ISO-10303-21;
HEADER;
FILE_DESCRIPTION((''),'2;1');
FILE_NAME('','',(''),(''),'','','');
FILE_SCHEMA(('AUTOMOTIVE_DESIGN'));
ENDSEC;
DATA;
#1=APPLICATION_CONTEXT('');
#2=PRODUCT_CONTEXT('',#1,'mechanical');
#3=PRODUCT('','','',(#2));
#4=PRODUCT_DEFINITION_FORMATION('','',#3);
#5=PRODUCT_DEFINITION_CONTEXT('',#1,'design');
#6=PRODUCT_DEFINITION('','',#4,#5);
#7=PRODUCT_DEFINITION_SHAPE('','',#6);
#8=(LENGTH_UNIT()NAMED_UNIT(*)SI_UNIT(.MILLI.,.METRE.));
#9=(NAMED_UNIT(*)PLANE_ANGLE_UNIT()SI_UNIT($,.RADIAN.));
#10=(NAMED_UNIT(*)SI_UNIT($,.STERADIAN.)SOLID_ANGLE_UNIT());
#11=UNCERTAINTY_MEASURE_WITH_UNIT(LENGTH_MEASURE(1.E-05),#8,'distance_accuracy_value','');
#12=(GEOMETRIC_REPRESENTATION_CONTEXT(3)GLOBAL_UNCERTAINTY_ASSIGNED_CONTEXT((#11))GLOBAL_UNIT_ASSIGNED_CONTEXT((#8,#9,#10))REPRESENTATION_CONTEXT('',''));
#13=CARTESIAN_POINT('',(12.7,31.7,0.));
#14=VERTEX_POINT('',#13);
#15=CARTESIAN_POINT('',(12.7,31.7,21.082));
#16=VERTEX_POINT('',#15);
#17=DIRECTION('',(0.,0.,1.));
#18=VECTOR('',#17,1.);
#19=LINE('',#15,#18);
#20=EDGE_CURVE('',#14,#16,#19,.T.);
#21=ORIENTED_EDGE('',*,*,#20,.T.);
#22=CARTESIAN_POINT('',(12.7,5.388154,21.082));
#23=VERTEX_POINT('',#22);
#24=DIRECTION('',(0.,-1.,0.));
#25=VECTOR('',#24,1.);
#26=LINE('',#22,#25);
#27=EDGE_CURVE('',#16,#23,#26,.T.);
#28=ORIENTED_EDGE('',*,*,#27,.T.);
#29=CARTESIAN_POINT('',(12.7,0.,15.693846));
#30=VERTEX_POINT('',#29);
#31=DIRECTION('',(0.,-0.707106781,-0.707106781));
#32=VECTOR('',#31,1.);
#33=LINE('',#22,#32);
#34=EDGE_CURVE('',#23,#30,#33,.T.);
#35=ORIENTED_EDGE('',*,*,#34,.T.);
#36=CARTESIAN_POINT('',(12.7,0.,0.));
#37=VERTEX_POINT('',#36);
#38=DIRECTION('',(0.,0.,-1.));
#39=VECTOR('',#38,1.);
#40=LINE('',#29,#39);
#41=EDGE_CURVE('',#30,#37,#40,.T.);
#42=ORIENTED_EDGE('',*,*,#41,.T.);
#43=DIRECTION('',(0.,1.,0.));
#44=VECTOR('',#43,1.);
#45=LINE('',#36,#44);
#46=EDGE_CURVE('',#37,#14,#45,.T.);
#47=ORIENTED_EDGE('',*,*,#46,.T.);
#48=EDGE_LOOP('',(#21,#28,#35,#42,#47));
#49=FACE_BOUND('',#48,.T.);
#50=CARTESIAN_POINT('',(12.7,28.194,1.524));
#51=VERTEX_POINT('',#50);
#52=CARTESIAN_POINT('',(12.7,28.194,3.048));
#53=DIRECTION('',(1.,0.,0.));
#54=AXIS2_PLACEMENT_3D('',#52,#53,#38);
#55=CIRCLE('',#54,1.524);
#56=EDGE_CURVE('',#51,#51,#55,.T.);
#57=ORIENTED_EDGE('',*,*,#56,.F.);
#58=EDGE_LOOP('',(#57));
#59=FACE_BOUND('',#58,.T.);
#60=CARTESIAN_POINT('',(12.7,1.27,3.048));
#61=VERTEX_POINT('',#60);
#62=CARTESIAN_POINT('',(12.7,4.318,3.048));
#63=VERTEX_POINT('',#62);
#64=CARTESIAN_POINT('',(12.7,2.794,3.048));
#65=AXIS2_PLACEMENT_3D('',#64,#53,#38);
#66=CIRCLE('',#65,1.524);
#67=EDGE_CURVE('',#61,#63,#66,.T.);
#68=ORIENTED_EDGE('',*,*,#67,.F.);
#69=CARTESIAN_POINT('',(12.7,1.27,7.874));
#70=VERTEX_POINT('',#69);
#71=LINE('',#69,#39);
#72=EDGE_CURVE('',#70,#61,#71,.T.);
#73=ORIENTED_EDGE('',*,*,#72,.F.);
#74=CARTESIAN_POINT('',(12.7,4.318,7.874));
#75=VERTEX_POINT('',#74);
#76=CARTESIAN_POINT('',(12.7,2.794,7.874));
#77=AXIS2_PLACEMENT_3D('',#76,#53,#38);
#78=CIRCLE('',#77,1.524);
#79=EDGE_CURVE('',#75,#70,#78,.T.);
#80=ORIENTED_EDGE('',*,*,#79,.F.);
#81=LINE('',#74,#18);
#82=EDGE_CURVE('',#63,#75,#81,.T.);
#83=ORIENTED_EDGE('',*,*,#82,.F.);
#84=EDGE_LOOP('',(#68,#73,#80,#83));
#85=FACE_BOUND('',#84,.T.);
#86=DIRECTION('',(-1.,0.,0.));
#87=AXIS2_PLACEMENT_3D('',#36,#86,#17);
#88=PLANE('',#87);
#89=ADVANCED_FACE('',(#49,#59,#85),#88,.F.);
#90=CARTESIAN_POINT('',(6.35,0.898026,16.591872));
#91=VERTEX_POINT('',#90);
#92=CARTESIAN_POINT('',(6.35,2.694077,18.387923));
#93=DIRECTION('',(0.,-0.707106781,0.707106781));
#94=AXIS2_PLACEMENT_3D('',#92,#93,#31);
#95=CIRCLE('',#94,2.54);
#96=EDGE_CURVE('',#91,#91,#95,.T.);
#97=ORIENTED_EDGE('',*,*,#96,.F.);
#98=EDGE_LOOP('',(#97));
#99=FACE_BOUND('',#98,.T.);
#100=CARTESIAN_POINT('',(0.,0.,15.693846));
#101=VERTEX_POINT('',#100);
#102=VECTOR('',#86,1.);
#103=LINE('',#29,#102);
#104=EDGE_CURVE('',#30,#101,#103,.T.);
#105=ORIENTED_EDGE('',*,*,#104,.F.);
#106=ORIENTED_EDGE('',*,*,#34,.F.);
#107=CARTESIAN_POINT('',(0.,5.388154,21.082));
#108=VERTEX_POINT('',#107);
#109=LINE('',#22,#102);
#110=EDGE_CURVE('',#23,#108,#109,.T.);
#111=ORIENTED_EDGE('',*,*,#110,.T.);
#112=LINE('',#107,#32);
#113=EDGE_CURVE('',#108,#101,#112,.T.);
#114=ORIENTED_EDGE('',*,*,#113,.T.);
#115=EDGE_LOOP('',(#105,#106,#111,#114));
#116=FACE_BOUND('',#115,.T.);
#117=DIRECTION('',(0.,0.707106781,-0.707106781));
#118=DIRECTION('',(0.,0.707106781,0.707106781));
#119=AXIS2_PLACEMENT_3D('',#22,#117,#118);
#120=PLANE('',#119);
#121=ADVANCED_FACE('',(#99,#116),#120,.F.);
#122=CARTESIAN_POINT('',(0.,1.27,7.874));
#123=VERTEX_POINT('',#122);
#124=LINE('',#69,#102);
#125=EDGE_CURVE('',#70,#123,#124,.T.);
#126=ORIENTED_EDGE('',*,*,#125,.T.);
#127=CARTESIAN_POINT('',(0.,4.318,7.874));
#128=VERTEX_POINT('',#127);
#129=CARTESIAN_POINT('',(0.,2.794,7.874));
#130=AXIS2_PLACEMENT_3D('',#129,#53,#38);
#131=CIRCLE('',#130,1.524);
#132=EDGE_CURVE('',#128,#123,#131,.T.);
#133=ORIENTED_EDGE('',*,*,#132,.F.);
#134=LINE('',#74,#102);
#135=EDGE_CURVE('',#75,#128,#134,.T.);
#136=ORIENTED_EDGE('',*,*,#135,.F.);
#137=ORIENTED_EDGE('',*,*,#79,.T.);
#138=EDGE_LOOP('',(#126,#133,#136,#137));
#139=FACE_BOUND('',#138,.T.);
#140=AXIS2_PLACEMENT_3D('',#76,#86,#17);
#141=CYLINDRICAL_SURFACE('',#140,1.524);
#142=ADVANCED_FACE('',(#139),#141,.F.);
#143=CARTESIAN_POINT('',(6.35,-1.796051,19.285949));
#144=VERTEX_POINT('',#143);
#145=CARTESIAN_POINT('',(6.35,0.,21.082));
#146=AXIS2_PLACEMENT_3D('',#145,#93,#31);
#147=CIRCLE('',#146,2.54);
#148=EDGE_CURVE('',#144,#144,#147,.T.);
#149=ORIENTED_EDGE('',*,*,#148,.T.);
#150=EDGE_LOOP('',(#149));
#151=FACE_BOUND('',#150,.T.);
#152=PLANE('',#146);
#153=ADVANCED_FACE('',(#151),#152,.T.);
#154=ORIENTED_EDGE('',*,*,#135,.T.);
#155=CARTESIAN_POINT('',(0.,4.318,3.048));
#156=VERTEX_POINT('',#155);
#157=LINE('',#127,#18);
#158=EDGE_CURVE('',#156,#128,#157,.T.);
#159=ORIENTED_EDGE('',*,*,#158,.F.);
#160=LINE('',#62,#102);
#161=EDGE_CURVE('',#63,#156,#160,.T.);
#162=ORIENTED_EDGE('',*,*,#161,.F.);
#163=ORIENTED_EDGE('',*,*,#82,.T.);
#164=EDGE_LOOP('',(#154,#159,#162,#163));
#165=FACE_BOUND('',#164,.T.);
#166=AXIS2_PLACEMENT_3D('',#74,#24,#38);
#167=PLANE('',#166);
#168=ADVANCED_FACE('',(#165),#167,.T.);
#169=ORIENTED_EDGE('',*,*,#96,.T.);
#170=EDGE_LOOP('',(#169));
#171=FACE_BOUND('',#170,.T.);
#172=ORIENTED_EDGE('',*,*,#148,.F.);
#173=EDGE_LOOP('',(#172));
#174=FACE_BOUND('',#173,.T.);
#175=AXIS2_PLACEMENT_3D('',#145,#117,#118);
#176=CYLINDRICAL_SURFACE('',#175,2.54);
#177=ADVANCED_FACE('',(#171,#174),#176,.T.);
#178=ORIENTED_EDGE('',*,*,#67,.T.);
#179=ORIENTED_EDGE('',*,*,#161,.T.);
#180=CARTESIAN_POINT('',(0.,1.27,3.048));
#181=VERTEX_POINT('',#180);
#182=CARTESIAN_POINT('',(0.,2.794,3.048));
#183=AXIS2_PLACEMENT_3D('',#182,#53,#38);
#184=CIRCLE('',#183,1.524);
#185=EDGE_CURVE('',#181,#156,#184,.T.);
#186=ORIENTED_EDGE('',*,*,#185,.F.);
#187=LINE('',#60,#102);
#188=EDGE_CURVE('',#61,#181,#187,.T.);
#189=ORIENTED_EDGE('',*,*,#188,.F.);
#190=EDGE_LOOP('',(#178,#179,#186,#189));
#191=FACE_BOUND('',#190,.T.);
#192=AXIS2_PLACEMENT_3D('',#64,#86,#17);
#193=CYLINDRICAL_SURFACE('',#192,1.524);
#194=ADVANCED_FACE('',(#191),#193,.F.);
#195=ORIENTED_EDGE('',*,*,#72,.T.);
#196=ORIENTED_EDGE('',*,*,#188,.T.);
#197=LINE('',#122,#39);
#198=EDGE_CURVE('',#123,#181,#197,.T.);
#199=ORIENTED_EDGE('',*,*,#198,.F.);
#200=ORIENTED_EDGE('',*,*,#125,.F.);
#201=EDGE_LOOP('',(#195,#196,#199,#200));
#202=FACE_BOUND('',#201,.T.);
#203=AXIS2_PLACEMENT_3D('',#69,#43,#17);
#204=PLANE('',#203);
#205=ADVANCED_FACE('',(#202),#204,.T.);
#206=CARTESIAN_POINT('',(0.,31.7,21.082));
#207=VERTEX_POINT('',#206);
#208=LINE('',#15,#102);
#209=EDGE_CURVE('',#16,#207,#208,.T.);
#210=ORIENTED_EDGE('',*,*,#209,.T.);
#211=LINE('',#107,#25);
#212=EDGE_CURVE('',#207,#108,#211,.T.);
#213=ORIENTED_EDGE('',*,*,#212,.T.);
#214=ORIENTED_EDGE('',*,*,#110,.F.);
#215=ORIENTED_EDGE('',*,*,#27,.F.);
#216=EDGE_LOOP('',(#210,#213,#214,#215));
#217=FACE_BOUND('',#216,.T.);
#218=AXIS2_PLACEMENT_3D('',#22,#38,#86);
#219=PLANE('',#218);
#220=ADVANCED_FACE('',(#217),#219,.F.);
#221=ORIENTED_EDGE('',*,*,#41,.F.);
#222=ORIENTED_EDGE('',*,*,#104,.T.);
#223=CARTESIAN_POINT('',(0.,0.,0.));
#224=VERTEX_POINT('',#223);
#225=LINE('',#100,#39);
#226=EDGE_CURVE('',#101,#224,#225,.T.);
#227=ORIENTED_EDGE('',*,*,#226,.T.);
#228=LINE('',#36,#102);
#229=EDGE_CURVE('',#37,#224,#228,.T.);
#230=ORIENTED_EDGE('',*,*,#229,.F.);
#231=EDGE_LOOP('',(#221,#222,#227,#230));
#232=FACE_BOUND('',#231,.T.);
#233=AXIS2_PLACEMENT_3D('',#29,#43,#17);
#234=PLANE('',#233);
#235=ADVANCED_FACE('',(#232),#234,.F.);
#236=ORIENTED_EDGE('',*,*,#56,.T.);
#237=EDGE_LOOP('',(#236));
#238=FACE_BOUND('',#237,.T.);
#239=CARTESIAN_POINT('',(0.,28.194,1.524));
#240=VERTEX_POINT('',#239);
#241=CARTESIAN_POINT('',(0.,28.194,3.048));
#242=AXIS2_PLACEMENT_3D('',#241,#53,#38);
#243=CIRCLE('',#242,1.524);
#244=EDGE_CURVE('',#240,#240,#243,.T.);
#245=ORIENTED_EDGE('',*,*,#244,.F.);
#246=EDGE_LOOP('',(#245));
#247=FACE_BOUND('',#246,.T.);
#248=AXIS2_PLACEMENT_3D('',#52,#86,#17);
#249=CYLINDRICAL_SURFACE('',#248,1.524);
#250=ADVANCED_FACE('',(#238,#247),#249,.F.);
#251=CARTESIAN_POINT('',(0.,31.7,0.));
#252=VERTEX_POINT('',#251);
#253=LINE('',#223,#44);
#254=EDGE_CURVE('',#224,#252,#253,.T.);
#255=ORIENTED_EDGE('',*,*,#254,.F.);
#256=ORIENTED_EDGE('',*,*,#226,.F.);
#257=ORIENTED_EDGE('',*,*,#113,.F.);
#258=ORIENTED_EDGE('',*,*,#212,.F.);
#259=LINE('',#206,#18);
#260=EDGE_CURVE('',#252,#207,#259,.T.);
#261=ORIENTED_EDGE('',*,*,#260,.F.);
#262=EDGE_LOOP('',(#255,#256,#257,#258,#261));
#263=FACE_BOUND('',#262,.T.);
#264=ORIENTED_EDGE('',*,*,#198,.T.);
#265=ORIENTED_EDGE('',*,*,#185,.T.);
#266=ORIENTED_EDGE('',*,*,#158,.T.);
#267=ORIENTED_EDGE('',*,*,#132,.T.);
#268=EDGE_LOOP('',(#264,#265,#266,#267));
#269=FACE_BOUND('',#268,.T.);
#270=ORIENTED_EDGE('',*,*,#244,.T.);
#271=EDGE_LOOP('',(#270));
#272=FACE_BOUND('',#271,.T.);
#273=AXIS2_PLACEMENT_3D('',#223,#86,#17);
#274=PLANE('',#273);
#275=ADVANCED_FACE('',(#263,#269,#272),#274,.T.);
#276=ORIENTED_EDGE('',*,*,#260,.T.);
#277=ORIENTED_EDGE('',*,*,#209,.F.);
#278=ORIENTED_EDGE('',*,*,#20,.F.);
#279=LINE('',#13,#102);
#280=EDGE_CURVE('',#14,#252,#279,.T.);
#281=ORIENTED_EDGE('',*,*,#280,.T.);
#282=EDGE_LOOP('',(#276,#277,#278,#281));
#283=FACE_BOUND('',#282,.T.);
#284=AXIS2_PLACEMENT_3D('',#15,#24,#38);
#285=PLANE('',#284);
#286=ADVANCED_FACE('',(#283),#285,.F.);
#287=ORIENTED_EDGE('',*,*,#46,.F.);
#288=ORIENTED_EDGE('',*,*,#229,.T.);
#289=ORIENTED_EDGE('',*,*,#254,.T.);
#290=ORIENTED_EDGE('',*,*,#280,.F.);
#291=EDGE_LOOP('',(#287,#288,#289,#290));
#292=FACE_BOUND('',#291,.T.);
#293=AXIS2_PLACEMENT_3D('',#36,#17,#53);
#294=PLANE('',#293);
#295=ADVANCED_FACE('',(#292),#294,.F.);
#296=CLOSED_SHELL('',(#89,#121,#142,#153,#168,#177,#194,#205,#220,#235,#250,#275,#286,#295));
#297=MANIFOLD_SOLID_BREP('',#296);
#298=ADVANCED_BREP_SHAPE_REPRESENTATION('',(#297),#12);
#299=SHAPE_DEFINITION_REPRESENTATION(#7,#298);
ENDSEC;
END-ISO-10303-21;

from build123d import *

# Parameters (mm, degrees)
SKETCH1_R           = 1.524
BOSS_EXTRUDE1_DEPTH = 12.7
SKETCH3_R           = 2.54
BOSS_EXTRUDE2_DEPTH = 3.81


with BuildPart() as part:
    # Sketch1 → Boss-Extrude1 (new body)
    with BuildSketch(Plane(origin=(0, 0, 0), x_dir=(0, 0, -1), z_dir=(1, 0, 0))):
        Polygon((-21.082, 5.388153673), (-15.693846327, 0), (0, 0), (0, 31.7), (-21.082, 31.7), align=None)
        with Locations((-3.048, 28.194)):
            Circle(SKETCH1_R, mode=Mode.SUBTRACT)
        with BuildLine():
            Line((-7.874, 4.318), (-3.048, 4.318))
            ThreePointArc((-3.048, 4.318), (-1.524, 2.794), (-3.048, 1.27))
            Line((-3.048, 1.27), (-7.874, 1.27))
            ThreePointArc((-7.874, 1.27), (-9.398, 2.794), (-7.874, 4.318))
        make_face(mode=Mode.SUBTRACT)
    extrude(amount=BOSS_EXTRUDE1_DEPTH)

    # Sketch3 → Boss-Extrude2 (add)
    with BuildSketch(Plane(origin=(0, -7.846923164, 7.846923164), x_dir=(1, 0, 0), z_dir=(0, -0.7071067811865464, 0.7071067811865488))):
        with Locations(Location((6.35, 14.907225161, 0), (0, 0, 270))):
            Circle(SKETCH3_R)
    extrude(amount=BOSS_EXTRUDE2_DEPTH)


solid = part.part
